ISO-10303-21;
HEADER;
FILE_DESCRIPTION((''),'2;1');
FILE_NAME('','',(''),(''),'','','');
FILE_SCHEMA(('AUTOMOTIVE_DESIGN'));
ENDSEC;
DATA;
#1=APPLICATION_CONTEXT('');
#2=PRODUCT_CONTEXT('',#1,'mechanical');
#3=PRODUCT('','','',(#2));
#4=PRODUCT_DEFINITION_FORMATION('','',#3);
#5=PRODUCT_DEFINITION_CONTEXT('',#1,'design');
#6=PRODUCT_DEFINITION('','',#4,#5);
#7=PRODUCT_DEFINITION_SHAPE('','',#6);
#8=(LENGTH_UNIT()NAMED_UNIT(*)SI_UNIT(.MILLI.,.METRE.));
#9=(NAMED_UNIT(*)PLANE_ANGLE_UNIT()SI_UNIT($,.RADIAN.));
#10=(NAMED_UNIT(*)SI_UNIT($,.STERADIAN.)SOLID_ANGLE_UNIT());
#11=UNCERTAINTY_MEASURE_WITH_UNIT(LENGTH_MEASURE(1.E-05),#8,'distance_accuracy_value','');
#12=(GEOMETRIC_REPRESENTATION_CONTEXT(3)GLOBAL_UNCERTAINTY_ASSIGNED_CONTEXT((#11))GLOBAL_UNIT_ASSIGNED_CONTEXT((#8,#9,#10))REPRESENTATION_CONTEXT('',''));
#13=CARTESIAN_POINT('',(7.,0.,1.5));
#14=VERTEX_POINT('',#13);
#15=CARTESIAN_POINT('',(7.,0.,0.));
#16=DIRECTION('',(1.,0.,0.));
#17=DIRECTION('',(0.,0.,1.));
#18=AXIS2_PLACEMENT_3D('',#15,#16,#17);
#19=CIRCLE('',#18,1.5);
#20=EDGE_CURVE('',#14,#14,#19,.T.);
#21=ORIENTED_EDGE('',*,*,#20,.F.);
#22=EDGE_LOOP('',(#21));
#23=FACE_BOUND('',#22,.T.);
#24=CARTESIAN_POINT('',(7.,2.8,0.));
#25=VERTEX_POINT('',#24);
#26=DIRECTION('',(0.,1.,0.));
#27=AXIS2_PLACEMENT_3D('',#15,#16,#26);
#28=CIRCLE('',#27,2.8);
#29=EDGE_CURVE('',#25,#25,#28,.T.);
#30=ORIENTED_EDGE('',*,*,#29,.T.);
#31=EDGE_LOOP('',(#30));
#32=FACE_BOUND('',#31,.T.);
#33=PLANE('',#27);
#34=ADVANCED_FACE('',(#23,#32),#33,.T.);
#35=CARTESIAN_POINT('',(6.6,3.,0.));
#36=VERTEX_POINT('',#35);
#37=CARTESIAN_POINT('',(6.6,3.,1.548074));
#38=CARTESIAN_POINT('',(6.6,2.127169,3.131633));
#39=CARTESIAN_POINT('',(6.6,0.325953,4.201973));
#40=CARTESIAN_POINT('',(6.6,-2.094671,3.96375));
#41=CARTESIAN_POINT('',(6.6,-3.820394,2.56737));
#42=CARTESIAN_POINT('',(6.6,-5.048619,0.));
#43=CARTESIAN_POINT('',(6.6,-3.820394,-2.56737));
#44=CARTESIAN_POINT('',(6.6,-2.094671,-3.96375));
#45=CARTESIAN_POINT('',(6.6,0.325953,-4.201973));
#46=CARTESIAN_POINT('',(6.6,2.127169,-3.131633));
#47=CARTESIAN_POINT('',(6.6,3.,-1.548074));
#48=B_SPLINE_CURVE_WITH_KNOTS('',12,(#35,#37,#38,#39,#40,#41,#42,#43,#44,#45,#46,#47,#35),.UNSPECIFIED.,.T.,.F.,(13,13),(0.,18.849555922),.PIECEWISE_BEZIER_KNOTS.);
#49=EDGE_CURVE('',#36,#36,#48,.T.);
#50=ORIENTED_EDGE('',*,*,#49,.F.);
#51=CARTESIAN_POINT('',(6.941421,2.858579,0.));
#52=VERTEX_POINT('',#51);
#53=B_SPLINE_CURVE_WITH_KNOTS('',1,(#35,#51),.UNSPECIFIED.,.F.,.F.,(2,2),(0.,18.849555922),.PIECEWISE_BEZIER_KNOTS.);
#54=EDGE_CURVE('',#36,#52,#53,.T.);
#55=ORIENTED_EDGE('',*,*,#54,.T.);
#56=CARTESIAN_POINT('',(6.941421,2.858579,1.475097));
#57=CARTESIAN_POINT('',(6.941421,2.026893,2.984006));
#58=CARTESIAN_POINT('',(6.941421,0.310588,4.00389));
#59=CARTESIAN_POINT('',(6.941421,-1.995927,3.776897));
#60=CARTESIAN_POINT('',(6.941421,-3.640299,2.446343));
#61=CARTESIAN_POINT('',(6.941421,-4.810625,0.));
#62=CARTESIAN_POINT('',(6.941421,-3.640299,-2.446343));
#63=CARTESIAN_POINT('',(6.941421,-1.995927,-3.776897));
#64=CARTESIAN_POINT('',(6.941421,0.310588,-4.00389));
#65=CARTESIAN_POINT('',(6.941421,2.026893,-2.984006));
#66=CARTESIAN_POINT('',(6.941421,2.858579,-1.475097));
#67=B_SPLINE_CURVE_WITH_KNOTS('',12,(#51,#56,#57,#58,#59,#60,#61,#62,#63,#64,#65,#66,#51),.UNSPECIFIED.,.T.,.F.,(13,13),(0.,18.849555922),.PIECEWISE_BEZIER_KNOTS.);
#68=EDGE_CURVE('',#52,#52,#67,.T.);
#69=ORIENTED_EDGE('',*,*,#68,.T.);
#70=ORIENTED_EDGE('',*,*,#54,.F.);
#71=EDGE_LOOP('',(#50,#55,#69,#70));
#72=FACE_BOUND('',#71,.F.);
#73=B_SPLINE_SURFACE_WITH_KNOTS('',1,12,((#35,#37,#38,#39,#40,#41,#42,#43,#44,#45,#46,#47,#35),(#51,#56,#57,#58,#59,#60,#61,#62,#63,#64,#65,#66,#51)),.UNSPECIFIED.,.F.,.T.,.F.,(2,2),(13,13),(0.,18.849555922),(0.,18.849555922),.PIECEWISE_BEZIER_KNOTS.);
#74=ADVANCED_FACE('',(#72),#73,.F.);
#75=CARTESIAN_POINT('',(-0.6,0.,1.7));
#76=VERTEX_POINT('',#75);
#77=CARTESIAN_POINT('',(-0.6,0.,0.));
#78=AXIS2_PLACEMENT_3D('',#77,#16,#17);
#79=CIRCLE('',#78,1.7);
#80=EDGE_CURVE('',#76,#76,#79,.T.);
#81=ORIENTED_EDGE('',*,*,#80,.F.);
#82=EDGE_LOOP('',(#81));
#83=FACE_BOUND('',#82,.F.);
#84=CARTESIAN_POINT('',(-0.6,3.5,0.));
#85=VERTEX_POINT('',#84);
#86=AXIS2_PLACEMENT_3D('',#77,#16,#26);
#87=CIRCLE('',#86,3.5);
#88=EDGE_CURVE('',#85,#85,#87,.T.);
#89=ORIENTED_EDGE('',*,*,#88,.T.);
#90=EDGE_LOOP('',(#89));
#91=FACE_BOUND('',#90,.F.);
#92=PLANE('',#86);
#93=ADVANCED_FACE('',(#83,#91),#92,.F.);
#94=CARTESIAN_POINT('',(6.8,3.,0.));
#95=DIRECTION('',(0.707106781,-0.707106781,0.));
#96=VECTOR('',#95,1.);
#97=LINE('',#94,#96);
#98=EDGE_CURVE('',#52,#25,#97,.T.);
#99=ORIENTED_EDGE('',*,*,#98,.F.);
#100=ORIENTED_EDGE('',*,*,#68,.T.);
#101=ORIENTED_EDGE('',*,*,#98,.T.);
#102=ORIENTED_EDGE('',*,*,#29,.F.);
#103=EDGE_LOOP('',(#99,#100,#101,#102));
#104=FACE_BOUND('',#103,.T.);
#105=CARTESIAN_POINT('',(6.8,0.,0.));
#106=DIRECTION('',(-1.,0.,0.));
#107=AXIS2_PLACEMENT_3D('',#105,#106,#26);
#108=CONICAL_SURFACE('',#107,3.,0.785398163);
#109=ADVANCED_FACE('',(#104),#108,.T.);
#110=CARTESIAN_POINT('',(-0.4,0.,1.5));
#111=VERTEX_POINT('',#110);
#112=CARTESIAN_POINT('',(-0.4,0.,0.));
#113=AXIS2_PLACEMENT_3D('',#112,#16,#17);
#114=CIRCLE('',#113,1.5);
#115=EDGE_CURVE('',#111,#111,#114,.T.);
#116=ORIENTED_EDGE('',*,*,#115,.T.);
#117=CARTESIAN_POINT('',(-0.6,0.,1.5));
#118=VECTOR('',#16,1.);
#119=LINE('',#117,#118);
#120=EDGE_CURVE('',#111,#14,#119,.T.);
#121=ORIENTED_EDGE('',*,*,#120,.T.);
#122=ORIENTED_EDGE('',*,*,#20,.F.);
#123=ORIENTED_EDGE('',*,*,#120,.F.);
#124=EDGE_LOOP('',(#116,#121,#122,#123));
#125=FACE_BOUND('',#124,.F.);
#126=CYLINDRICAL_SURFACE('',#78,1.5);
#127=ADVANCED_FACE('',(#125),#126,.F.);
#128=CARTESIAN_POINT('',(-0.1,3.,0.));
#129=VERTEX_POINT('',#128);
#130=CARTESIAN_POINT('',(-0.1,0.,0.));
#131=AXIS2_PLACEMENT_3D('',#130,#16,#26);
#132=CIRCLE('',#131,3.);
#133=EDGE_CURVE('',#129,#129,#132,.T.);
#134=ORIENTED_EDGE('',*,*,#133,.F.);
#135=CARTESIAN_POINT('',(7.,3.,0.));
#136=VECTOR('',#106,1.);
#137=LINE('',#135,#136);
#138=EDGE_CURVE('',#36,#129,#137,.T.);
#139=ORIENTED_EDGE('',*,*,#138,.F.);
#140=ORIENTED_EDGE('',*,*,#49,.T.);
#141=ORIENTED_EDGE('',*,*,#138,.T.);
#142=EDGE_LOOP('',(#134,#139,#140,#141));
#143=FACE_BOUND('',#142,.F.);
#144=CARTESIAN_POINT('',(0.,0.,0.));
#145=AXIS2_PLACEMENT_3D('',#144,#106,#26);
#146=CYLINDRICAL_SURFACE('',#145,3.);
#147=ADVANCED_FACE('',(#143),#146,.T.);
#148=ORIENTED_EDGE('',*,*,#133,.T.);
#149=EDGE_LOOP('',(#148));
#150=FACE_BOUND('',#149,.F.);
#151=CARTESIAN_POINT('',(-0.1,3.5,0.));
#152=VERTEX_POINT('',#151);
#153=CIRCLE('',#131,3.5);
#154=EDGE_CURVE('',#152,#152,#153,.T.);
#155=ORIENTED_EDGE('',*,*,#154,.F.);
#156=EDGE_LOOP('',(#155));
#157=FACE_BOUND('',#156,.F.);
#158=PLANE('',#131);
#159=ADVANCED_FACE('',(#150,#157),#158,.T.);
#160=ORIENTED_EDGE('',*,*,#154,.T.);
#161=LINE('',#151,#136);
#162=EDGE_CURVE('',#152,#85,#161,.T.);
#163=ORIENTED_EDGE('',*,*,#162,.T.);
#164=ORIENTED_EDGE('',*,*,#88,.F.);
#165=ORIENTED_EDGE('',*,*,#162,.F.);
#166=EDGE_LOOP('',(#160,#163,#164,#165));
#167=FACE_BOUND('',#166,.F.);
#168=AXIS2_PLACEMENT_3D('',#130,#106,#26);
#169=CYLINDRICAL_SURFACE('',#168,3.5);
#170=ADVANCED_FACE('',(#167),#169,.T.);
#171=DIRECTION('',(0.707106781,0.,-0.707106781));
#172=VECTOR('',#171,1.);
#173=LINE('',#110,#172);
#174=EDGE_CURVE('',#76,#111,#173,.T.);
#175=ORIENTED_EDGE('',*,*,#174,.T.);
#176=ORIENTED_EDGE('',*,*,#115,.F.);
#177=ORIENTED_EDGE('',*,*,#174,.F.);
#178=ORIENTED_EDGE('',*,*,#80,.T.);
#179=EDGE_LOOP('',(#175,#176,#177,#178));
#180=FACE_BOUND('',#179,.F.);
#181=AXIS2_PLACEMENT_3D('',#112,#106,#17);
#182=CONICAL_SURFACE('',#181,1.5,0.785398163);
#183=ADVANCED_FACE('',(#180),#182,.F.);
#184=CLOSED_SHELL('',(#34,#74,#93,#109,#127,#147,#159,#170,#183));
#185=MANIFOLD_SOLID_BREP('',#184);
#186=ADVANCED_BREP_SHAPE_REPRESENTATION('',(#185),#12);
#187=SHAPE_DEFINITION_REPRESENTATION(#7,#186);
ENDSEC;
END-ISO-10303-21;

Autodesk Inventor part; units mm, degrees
ref_plane "YZ Plane" through (0, 0, 0) normal (1, 0, 0) x (0, 1, 0)
ref_plane "XZ Plane" through (0, 0, 0) normal (0, 1, 0) x (-1, 0, 0)
ref_plane "XY Plane" through (0, 0, 0) normal (0, 0, 1) x (1, 0, 0)
sketch "Skizze1" plane through (0, 0, 0) normal (0, 0, 1) x (1, 0, 0)
  line L0 (7, -3) -> (0, -3)
  line L1 (7, 3) -> (7, -3) projected
  line L2 (7, 3) -> (0, 3)
  line L3 (7, 1.8) -> (13, 1.8)
  line L4 (7, -1.8) -> (13, -1.8)
  line L5 (0, 3) -> (0, -3) projected
  line L6 (7, 0) -> (7, 3)
  line L7 (0, 3) -> (-0.1, 3)
  line L8 (-0.1, 3) -> (-0.1, 3.5)
  line L9 (-0.1, 3.5) -> (-0.6, 3.5)
  line L10 (-0.6, 3.5) -> (-0.6, 0)
  line L11 (-0.6, 0) -> (7, 0)
  point P0 (0, 0)
  point P1 (0, 0)
  dimension "d0" = 0.1
  dimension "d1" = 0.5
  dimension "d2" = 0.5
  dimension "d24" = 7.6
  dimension "d25" = 3.5
  dimension "d26" = 3
revolve "Umdrehung1" add sketch "Skizze1" angle 360 about axis through (-0.6, 0, 0) along (1, 0, 0) contours L11 L10 L9 L8 L7 L5 | L5 L2 L1 L11
sketch "Skizze3" plane through (-0.6, 0, 0) normal (-1, 0, 0) x (0, 0, 1)
  point P0 (0, 0)
chamfer "Fase1" distance 0.2 angle 45 1 edges at (7, -3, 0)
chamfer "Fase2" distance 0.2 angle 45 1 edges at (6.8, -3, 0)
hole "Bohrung2" at (-0.6, 0, 0) direction (1, 0, 0) diameter 3 end through all
chamfer "Fase3" distance 0.2 angle 45 1 edges at (-0.6, 0, -1.5)
properties part number "Hülse1"
